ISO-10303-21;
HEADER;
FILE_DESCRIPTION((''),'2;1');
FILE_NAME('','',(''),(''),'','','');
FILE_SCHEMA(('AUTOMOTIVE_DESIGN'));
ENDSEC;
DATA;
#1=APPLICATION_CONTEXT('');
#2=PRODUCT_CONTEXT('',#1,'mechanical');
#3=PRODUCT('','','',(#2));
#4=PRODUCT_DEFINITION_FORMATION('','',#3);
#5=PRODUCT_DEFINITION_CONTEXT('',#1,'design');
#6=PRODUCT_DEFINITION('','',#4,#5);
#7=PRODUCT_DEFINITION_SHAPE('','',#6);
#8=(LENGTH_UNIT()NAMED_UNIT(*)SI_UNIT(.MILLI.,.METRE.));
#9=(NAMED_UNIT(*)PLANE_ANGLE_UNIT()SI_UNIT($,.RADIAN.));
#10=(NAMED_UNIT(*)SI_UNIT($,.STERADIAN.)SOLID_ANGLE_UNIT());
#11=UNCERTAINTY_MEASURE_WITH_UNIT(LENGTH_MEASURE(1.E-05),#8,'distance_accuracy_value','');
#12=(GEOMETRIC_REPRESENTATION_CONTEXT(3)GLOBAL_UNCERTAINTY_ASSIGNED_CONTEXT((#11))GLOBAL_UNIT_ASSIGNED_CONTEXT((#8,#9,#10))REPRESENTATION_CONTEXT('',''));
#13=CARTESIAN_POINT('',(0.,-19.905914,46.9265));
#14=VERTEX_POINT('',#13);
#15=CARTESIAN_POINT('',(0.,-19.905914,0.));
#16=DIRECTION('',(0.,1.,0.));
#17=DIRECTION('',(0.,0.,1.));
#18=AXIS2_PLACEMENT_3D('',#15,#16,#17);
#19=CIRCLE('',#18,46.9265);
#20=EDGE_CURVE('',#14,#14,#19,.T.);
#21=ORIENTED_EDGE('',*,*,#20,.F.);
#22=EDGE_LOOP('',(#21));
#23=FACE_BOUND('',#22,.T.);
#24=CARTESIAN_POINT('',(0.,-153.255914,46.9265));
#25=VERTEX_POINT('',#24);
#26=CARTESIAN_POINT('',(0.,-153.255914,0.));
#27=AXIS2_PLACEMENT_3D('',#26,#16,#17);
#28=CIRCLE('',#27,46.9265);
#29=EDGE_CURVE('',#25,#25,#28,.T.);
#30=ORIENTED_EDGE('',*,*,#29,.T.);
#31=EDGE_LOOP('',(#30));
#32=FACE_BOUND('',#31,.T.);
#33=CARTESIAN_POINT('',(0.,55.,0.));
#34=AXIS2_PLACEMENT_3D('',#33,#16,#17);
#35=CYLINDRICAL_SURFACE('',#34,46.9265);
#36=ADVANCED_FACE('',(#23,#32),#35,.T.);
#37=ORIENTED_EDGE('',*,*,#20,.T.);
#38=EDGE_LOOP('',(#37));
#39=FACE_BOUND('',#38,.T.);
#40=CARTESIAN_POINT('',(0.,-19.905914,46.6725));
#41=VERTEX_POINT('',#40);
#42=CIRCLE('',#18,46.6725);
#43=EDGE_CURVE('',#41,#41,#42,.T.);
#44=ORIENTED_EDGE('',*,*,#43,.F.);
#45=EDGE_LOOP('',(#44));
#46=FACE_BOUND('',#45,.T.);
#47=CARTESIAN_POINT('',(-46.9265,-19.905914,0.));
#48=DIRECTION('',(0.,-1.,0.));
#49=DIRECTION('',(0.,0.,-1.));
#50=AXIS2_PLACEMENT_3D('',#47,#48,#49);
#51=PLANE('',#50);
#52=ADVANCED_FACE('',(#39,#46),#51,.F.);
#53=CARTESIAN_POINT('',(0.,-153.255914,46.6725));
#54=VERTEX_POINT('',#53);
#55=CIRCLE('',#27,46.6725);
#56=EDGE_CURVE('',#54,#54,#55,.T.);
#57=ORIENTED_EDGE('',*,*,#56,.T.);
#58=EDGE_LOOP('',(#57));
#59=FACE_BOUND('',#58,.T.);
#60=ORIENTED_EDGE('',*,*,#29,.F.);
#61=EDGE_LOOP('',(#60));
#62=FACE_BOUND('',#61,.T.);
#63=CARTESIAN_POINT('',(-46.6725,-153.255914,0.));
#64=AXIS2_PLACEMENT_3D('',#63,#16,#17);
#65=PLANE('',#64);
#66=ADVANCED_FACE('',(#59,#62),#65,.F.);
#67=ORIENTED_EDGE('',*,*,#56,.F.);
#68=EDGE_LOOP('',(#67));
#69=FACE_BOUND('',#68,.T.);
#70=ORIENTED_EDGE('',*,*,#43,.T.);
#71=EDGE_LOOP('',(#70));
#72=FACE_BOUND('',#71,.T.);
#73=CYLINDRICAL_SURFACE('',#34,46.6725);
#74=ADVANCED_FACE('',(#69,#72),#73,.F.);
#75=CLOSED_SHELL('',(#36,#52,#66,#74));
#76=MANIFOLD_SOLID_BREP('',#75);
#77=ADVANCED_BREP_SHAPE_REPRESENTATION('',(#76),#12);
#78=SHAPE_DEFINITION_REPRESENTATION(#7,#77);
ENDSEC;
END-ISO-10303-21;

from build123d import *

# Parameters (mm, degrees)
SKETCH1_W = 0.254
SKETCH1_H = 133.35


with BuildPart() as part:
    # Sketch1 → Revolve-Thin1 (revolve)
    with BuildSketch(Plane.XY):
        with Locations((-46.7995, -86.580914232)):
            Rectangle(SKETCH1_W, SKETCH1_H)
    revolve(axis=Axis((0, 55, 0), (0, -1, 0)))


solid = part.part
